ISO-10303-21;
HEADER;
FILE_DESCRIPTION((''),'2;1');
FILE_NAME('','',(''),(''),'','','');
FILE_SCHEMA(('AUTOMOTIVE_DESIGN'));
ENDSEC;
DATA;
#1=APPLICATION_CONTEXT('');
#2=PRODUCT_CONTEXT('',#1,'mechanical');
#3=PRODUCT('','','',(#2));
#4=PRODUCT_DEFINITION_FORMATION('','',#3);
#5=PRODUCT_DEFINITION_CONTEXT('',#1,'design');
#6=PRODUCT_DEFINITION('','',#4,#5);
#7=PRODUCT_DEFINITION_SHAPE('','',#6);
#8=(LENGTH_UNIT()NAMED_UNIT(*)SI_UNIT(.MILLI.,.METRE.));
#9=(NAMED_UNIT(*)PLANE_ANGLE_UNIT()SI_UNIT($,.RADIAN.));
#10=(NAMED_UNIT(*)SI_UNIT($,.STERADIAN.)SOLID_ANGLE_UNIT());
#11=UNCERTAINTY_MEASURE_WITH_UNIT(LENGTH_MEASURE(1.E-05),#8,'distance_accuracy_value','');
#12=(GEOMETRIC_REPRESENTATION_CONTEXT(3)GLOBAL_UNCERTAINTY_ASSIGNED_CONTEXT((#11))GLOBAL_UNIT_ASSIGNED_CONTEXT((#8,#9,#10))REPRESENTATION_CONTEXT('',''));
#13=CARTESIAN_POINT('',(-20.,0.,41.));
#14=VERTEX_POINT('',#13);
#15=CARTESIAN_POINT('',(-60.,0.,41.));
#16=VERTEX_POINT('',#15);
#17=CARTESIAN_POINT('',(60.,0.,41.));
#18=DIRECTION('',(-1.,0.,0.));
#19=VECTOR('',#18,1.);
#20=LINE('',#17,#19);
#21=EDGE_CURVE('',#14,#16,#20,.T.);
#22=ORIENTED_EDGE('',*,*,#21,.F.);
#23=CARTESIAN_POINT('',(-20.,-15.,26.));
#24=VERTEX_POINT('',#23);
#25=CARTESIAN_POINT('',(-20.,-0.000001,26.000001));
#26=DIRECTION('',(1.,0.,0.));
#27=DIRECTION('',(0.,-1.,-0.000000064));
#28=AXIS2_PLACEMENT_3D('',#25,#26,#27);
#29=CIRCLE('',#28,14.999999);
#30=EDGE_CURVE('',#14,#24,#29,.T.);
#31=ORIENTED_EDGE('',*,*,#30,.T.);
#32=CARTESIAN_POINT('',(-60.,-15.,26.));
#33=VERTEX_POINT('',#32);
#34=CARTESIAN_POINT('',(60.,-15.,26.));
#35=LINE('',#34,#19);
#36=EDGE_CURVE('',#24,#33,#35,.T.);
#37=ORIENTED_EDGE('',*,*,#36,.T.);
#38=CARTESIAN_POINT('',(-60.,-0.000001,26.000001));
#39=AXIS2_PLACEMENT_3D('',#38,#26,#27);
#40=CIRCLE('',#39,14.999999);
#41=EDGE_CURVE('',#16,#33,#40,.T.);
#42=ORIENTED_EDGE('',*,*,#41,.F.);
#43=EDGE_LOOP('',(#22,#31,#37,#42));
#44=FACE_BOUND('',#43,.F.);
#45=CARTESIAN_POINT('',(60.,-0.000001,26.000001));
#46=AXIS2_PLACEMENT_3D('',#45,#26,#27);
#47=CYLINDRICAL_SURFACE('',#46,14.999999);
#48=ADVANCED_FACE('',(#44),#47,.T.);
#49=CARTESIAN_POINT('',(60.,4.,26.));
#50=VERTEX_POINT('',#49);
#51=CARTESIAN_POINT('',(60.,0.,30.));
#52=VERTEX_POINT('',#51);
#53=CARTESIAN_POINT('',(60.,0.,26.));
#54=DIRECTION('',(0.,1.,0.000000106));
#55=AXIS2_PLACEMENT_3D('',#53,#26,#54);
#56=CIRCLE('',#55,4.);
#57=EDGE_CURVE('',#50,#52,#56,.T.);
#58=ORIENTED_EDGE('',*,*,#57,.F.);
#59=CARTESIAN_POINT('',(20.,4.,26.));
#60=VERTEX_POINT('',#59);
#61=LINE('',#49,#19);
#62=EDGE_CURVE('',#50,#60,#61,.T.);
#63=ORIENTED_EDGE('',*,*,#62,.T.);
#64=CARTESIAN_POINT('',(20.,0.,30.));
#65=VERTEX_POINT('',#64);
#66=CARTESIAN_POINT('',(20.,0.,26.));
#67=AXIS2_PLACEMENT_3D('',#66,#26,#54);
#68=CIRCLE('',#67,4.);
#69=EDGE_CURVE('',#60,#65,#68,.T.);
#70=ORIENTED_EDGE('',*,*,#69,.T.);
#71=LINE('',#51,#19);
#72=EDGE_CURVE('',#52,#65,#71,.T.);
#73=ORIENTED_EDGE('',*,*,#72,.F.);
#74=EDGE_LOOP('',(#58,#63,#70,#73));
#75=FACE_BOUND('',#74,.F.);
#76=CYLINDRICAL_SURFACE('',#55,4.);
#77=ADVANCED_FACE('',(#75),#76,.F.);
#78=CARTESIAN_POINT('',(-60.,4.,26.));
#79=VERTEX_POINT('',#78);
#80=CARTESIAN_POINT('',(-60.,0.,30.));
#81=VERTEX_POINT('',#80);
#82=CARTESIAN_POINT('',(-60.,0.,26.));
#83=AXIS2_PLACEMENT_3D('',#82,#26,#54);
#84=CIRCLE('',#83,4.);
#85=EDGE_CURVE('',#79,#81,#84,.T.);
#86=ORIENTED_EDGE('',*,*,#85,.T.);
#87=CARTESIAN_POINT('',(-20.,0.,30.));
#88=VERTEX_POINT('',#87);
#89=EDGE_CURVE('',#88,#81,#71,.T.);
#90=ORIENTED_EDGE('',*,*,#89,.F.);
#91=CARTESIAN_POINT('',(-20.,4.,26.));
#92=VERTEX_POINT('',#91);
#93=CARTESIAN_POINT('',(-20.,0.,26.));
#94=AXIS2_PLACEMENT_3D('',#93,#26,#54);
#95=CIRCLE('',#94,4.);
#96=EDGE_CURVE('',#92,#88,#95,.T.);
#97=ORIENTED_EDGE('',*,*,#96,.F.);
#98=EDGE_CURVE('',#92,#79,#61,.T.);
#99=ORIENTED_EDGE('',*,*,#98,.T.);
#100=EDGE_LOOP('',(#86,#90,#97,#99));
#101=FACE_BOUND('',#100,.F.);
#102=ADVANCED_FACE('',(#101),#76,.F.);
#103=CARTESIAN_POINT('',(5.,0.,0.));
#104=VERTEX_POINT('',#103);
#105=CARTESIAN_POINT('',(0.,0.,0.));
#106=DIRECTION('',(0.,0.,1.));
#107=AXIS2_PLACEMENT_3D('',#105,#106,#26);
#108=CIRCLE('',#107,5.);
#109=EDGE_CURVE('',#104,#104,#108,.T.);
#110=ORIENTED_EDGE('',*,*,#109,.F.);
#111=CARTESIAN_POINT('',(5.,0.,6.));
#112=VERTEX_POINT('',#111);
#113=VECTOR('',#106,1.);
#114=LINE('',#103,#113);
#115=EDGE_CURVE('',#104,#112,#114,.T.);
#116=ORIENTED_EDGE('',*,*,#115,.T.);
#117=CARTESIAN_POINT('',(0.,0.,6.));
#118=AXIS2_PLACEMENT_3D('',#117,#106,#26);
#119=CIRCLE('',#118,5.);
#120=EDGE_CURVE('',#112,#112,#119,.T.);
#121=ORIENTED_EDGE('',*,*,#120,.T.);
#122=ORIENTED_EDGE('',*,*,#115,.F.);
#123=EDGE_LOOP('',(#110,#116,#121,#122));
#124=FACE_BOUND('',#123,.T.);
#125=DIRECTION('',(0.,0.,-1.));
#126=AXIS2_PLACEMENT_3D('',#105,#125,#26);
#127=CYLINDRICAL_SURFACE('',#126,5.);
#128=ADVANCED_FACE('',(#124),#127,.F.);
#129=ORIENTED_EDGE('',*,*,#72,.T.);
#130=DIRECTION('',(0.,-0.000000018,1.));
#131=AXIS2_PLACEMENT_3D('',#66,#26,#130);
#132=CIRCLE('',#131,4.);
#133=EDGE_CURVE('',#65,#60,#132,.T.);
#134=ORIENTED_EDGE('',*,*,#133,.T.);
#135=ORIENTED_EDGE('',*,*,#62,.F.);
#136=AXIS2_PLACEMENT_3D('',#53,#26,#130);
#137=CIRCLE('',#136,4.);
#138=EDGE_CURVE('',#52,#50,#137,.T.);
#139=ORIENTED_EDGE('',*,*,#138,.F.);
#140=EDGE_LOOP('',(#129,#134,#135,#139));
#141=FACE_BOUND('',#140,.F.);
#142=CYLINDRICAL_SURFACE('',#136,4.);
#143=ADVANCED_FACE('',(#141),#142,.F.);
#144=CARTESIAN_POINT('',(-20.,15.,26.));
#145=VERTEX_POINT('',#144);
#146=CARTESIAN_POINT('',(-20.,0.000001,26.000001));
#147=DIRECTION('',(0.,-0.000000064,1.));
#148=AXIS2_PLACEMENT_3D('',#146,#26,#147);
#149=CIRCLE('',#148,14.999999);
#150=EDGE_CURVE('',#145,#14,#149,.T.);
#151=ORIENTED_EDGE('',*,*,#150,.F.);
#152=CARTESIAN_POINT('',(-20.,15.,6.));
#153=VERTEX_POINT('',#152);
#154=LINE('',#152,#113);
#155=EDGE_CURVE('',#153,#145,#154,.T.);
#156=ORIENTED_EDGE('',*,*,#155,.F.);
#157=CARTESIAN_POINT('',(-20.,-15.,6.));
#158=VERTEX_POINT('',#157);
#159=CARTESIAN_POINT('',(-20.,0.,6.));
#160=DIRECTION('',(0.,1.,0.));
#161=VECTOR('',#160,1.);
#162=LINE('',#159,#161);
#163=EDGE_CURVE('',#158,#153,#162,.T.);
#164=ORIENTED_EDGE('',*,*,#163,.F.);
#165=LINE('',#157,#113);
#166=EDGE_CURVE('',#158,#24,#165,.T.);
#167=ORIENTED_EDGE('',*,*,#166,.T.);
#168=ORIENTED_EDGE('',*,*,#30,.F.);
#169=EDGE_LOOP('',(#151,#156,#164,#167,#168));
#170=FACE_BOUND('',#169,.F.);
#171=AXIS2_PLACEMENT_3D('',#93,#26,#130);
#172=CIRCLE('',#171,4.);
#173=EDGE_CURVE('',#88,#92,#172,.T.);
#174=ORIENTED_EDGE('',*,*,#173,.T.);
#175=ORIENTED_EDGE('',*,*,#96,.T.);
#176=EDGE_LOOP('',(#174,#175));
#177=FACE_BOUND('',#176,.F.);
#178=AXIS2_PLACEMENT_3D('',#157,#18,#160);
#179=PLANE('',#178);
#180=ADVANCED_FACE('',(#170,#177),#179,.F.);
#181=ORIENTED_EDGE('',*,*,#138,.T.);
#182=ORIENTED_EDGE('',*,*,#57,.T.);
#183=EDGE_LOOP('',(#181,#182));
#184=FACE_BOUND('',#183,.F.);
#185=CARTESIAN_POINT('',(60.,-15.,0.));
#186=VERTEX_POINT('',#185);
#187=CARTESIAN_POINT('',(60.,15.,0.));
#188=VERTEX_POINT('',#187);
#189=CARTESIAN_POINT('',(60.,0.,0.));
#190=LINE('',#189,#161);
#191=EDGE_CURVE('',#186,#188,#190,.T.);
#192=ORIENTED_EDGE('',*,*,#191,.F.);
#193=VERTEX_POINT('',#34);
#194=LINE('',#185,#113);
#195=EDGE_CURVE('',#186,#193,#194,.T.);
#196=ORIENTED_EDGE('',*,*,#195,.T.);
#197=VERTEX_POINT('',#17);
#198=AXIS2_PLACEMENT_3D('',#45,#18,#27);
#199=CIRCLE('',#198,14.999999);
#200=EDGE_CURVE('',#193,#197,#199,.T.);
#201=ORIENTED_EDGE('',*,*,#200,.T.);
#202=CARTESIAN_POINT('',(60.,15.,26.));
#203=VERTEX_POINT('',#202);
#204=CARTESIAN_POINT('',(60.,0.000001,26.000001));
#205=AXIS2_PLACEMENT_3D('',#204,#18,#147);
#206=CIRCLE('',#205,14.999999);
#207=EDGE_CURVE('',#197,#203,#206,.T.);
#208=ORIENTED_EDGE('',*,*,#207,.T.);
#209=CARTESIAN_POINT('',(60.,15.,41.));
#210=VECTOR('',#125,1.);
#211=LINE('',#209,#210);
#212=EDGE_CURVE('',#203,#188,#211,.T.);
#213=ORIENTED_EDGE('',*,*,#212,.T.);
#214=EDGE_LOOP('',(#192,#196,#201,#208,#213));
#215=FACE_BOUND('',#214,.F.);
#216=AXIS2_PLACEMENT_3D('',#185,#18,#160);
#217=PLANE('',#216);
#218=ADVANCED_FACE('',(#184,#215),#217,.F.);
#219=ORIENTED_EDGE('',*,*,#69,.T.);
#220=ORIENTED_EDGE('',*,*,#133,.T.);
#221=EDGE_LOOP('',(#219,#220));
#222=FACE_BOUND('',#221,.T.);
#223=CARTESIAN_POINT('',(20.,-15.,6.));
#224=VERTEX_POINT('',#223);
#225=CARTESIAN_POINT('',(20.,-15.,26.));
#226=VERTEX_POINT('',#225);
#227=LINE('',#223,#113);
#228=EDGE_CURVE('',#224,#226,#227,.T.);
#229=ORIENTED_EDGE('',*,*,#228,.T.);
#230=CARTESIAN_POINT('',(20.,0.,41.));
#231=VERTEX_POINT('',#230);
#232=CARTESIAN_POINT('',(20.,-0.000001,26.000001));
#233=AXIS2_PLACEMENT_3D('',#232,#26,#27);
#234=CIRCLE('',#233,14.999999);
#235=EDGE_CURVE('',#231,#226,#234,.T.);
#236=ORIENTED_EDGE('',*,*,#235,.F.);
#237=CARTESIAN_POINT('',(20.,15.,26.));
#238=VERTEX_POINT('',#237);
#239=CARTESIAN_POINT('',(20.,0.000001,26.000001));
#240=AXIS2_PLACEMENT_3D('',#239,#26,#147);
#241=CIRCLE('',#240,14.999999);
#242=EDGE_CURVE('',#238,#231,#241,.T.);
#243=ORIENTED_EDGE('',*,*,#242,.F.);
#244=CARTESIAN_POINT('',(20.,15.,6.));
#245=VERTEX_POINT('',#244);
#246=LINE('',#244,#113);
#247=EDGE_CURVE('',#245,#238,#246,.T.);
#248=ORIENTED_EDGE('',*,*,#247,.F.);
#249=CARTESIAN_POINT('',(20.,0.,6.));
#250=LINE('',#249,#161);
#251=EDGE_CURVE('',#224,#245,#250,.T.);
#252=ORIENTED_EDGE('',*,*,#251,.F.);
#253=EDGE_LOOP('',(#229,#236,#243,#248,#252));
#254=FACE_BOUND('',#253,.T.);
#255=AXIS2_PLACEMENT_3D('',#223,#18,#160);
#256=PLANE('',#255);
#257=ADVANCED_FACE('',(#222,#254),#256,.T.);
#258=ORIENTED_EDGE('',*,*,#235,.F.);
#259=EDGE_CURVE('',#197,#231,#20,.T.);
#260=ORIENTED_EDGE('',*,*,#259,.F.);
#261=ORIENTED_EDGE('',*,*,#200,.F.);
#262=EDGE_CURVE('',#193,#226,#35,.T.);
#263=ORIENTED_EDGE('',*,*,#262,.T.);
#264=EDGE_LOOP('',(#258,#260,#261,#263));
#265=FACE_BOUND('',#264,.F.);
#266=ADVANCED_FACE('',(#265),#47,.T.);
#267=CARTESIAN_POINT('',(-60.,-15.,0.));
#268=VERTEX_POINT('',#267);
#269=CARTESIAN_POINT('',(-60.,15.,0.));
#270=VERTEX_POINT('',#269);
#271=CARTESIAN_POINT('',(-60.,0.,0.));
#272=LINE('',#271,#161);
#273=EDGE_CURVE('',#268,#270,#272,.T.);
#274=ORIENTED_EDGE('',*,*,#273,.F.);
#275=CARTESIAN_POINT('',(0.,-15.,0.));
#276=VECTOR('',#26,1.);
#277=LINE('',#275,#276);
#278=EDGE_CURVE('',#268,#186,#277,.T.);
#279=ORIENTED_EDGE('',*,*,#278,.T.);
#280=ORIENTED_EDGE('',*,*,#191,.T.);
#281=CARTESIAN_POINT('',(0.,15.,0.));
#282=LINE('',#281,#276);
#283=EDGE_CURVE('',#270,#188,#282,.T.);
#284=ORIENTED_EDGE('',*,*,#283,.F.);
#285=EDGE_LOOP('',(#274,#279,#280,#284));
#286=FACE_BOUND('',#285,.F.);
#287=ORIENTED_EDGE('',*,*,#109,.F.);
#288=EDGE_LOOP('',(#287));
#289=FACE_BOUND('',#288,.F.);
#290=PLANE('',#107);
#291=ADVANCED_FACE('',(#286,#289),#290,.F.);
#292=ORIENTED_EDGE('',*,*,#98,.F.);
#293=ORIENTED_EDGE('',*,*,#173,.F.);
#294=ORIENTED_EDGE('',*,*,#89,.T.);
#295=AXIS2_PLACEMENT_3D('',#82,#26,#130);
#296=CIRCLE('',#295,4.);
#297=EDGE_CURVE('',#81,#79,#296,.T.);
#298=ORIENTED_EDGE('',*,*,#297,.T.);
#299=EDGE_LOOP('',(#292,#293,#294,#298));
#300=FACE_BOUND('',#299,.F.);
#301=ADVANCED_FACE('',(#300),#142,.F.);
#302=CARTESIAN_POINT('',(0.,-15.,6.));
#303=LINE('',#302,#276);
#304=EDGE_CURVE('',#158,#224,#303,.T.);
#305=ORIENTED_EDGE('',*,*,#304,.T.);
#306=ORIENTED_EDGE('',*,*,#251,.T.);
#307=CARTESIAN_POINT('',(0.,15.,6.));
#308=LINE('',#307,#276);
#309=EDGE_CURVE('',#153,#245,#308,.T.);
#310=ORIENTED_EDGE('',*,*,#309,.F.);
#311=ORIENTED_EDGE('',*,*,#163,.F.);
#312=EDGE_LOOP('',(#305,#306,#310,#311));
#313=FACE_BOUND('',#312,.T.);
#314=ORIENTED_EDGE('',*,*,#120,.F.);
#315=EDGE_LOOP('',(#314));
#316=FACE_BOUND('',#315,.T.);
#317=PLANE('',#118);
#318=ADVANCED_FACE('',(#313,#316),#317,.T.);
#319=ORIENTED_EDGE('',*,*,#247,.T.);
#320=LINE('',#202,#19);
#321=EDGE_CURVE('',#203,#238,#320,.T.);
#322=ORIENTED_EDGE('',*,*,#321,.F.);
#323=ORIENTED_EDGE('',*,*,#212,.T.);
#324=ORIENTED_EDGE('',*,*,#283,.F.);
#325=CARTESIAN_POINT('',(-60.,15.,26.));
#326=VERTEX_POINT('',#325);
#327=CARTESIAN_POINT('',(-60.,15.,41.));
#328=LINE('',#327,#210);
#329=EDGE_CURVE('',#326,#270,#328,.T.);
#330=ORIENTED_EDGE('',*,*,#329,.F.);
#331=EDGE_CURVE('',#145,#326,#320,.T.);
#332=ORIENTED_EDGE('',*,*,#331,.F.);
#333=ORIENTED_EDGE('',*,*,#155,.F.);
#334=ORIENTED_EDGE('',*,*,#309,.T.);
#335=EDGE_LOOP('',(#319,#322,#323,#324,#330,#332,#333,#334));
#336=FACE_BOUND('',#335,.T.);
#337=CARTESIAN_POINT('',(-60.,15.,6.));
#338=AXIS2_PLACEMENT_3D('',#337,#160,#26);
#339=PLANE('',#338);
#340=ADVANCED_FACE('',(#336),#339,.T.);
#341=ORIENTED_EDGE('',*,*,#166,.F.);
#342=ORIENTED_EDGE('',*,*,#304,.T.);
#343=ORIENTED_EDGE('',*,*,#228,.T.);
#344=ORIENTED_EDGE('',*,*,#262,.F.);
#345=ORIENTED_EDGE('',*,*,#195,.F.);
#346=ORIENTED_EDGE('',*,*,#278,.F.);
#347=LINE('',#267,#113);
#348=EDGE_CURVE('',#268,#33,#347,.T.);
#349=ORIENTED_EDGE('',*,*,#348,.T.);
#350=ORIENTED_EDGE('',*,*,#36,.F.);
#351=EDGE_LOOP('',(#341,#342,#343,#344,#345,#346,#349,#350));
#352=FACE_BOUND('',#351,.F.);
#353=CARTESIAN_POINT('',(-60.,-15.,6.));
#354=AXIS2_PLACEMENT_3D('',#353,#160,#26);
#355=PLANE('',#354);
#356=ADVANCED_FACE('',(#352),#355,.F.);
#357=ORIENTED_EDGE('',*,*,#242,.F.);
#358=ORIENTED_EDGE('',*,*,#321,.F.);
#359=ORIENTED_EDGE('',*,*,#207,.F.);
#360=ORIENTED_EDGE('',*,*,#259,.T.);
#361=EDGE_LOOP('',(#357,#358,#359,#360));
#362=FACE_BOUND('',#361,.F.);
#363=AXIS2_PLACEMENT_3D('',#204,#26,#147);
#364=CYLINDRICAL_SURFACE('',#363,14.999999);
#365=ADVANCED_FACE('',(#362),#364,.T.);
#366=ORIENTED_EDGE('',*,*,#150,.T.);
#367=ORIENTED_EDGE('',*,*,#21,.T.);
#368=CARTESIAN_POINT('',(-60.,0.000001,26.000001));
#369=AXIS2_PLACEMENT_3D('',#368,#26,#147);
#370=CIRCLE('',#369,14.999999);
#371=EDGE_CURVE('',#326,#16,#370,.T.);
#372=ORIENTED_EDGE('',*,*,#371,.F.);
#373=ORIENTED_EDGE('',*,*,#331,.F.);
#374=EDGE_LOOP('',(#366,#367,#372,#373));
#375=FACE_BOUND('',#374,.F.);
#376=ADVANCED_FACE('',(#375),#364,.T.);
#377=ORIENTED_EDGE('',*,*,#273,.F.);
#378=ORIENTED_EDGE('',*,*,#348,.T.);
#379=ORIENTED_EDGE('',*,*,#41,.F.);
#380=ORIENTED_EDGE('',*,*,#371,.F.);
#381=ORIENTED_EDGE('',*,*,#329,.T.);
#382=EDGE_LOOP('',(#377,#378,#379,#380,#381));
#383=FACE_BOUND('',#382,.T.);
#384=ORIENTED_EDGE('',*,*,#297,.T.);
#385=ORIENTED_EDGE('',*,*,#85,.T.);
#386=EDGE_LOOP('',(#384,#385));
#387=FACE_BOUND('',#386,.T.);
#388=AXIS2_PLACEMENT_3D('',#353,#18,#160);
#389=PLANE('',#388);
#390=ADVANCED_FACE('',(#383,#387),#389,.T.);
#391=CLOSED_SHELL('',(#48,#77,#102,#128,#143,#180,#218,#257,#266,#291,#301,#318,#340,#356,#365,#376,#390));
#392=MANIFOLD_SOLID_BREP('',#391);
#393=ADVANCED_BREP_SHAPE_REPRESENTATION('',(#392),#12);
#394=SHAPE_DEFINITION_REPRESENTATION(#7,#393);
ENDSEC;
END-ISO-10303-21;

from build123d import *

# Parameters (mm, degrees)
F0_W     = 120
F0_H     = 30
F0_R     = 5
F1_DEPTH = 6
F2_W     = 40
F2_H     = 30
F3_DEPTH = 35
F5_DEPTH = 122


with BuildPart() as f1:
    # F0 (on Top) → F1 (new body)
    with BuildSketch(Plane.XY):
        Rectangle(F0_W, F0_H)
        Circle(F0_R, mode=Mode.SUBTRACT)
    extrude(amount=F1_DEPTH)

    # F2 (on face) → F3 (join)
    with BuildSketch(Plane.XY.offset(6)):
        with Locations((-40, 0)):
            Rectangle(F2_W, F2_H)
        with Locations((40, 0)):
            Rectangle(F2_W, F2_H)
    extrude(amount=F3_DEPTH)

    # F4 (on face) → F5 (cut)
    with BuildSketch(Plane.YZ.offset(60)):
        with BuildLine():
            Line((0, 41), (-15, 41))
            Line((-15, 41), (-15, 26))
            ThreePointArc((-15, 26), (-10.606602, 36.606602), (0, 41))
        make_face()
        with BuildLine():
            Line((15, 41), (0, 41))
            ThreePointArc((0, 41), (10.606602, 36.606602), (15, 26))
            Line((15, 26), (15, 41))
        make_face()
        with BuildLine():
            ThreePointArc((4, 26), (2.828427, 28.828427), (0, 30))
            ThreePointArc((0, 30), (-2.828427, 23.171573), (4, 26))
        make_face()
    extrude(amount=-F5_DEPTH, mode=Mode.SUBTRACT)


solid = f1.part
